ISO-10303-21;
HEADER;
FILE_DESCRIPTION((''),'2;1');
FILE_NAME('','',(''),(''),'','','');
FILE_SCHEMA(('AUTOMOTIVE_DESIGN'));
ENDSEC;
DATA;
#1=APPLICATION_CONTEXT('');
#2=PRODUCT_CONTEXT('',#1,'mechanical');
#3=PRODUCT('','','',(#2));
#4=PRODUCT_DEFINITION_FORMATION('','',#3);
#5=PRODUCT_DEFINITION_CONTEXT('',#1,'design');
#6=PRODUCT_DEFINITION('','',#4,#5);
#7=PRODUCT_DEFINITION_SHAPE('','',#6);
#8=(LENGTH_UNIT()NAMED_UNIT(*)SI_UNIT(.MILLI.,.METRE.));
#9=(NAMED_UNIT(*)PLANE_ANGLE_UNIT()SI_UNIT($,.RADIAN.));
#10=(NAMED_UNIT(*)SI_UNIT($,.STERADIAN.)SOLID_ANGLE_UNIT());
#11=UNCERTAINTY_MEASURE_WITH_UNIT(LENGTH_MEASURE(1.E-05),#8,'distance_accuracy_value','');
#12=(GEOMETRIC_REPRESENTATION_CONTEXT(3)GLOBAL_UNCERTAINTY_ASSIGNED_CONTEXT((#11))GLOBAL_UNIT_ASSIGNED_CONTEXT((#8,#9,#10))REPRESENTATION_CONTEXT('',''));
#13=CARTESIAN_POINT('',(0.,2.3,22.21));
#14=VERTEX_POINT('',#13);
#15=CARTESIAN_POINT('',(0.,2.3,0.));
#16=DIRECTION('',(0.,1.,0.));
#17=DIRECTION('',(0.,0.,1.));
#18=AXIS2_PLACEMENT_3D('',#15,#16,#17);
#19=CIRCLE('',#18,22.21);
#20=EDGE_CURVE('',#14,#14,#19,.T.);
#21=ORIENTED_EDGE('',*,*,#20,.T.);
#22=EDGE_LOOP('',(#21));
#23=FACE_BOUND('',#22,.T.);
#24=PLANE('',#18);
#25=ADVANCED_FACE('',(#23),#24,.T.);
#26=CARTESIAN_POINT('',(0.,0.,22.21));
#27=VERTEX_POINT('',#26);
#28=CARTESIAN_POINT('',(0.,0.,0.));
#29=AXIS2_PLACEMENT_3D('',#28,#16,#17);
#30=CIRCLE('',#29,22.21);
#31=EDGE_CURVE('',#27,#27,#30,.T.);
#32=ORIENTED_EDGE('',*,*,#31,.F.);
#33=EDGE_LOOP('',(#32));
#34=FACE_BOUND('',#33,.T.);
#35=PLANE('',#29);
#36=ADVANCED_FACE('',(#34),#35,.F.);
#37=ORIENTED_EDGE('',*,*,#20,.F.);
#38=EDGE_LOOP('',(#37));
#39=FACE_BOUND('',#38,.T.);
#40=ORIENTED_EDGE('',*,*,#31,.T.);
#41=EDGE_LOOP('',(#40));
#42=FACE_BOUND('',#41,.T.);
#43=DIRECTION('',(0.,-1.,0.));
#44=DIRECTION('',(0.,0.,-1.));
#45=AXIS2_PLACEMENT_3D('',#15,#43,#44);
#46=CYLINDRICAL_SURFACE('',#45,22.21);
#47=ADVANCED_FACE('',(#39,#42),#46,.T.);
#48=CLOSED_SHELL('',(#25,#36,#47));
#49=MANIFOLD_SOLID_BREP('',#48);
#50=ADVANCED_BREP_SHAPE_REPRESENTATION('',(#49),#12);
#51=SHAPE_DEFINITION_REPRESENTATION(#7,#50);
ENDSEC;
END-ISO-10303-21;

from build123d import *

# Parameters (mm, degrees)
SKETCH1_R           = 22.21
BOSS_EXTRUDE1_DEPTH = 2.3


with BuildPart() as part:
    # Sketch1 → Boss-Extrude1 (new body)
    with BuildSketch(Plane(origin=(0, 0, 0), x_dir=(1, 0, 0), z_dir=(0, 1, 0))):
        with Locations(Location((0, 0, 0), (0, 0, 270))):
            Circle(SKETCH1_R)
    extrude(amount=BOSS_EXTRUDE1_DEPTH)


solid = part.part
